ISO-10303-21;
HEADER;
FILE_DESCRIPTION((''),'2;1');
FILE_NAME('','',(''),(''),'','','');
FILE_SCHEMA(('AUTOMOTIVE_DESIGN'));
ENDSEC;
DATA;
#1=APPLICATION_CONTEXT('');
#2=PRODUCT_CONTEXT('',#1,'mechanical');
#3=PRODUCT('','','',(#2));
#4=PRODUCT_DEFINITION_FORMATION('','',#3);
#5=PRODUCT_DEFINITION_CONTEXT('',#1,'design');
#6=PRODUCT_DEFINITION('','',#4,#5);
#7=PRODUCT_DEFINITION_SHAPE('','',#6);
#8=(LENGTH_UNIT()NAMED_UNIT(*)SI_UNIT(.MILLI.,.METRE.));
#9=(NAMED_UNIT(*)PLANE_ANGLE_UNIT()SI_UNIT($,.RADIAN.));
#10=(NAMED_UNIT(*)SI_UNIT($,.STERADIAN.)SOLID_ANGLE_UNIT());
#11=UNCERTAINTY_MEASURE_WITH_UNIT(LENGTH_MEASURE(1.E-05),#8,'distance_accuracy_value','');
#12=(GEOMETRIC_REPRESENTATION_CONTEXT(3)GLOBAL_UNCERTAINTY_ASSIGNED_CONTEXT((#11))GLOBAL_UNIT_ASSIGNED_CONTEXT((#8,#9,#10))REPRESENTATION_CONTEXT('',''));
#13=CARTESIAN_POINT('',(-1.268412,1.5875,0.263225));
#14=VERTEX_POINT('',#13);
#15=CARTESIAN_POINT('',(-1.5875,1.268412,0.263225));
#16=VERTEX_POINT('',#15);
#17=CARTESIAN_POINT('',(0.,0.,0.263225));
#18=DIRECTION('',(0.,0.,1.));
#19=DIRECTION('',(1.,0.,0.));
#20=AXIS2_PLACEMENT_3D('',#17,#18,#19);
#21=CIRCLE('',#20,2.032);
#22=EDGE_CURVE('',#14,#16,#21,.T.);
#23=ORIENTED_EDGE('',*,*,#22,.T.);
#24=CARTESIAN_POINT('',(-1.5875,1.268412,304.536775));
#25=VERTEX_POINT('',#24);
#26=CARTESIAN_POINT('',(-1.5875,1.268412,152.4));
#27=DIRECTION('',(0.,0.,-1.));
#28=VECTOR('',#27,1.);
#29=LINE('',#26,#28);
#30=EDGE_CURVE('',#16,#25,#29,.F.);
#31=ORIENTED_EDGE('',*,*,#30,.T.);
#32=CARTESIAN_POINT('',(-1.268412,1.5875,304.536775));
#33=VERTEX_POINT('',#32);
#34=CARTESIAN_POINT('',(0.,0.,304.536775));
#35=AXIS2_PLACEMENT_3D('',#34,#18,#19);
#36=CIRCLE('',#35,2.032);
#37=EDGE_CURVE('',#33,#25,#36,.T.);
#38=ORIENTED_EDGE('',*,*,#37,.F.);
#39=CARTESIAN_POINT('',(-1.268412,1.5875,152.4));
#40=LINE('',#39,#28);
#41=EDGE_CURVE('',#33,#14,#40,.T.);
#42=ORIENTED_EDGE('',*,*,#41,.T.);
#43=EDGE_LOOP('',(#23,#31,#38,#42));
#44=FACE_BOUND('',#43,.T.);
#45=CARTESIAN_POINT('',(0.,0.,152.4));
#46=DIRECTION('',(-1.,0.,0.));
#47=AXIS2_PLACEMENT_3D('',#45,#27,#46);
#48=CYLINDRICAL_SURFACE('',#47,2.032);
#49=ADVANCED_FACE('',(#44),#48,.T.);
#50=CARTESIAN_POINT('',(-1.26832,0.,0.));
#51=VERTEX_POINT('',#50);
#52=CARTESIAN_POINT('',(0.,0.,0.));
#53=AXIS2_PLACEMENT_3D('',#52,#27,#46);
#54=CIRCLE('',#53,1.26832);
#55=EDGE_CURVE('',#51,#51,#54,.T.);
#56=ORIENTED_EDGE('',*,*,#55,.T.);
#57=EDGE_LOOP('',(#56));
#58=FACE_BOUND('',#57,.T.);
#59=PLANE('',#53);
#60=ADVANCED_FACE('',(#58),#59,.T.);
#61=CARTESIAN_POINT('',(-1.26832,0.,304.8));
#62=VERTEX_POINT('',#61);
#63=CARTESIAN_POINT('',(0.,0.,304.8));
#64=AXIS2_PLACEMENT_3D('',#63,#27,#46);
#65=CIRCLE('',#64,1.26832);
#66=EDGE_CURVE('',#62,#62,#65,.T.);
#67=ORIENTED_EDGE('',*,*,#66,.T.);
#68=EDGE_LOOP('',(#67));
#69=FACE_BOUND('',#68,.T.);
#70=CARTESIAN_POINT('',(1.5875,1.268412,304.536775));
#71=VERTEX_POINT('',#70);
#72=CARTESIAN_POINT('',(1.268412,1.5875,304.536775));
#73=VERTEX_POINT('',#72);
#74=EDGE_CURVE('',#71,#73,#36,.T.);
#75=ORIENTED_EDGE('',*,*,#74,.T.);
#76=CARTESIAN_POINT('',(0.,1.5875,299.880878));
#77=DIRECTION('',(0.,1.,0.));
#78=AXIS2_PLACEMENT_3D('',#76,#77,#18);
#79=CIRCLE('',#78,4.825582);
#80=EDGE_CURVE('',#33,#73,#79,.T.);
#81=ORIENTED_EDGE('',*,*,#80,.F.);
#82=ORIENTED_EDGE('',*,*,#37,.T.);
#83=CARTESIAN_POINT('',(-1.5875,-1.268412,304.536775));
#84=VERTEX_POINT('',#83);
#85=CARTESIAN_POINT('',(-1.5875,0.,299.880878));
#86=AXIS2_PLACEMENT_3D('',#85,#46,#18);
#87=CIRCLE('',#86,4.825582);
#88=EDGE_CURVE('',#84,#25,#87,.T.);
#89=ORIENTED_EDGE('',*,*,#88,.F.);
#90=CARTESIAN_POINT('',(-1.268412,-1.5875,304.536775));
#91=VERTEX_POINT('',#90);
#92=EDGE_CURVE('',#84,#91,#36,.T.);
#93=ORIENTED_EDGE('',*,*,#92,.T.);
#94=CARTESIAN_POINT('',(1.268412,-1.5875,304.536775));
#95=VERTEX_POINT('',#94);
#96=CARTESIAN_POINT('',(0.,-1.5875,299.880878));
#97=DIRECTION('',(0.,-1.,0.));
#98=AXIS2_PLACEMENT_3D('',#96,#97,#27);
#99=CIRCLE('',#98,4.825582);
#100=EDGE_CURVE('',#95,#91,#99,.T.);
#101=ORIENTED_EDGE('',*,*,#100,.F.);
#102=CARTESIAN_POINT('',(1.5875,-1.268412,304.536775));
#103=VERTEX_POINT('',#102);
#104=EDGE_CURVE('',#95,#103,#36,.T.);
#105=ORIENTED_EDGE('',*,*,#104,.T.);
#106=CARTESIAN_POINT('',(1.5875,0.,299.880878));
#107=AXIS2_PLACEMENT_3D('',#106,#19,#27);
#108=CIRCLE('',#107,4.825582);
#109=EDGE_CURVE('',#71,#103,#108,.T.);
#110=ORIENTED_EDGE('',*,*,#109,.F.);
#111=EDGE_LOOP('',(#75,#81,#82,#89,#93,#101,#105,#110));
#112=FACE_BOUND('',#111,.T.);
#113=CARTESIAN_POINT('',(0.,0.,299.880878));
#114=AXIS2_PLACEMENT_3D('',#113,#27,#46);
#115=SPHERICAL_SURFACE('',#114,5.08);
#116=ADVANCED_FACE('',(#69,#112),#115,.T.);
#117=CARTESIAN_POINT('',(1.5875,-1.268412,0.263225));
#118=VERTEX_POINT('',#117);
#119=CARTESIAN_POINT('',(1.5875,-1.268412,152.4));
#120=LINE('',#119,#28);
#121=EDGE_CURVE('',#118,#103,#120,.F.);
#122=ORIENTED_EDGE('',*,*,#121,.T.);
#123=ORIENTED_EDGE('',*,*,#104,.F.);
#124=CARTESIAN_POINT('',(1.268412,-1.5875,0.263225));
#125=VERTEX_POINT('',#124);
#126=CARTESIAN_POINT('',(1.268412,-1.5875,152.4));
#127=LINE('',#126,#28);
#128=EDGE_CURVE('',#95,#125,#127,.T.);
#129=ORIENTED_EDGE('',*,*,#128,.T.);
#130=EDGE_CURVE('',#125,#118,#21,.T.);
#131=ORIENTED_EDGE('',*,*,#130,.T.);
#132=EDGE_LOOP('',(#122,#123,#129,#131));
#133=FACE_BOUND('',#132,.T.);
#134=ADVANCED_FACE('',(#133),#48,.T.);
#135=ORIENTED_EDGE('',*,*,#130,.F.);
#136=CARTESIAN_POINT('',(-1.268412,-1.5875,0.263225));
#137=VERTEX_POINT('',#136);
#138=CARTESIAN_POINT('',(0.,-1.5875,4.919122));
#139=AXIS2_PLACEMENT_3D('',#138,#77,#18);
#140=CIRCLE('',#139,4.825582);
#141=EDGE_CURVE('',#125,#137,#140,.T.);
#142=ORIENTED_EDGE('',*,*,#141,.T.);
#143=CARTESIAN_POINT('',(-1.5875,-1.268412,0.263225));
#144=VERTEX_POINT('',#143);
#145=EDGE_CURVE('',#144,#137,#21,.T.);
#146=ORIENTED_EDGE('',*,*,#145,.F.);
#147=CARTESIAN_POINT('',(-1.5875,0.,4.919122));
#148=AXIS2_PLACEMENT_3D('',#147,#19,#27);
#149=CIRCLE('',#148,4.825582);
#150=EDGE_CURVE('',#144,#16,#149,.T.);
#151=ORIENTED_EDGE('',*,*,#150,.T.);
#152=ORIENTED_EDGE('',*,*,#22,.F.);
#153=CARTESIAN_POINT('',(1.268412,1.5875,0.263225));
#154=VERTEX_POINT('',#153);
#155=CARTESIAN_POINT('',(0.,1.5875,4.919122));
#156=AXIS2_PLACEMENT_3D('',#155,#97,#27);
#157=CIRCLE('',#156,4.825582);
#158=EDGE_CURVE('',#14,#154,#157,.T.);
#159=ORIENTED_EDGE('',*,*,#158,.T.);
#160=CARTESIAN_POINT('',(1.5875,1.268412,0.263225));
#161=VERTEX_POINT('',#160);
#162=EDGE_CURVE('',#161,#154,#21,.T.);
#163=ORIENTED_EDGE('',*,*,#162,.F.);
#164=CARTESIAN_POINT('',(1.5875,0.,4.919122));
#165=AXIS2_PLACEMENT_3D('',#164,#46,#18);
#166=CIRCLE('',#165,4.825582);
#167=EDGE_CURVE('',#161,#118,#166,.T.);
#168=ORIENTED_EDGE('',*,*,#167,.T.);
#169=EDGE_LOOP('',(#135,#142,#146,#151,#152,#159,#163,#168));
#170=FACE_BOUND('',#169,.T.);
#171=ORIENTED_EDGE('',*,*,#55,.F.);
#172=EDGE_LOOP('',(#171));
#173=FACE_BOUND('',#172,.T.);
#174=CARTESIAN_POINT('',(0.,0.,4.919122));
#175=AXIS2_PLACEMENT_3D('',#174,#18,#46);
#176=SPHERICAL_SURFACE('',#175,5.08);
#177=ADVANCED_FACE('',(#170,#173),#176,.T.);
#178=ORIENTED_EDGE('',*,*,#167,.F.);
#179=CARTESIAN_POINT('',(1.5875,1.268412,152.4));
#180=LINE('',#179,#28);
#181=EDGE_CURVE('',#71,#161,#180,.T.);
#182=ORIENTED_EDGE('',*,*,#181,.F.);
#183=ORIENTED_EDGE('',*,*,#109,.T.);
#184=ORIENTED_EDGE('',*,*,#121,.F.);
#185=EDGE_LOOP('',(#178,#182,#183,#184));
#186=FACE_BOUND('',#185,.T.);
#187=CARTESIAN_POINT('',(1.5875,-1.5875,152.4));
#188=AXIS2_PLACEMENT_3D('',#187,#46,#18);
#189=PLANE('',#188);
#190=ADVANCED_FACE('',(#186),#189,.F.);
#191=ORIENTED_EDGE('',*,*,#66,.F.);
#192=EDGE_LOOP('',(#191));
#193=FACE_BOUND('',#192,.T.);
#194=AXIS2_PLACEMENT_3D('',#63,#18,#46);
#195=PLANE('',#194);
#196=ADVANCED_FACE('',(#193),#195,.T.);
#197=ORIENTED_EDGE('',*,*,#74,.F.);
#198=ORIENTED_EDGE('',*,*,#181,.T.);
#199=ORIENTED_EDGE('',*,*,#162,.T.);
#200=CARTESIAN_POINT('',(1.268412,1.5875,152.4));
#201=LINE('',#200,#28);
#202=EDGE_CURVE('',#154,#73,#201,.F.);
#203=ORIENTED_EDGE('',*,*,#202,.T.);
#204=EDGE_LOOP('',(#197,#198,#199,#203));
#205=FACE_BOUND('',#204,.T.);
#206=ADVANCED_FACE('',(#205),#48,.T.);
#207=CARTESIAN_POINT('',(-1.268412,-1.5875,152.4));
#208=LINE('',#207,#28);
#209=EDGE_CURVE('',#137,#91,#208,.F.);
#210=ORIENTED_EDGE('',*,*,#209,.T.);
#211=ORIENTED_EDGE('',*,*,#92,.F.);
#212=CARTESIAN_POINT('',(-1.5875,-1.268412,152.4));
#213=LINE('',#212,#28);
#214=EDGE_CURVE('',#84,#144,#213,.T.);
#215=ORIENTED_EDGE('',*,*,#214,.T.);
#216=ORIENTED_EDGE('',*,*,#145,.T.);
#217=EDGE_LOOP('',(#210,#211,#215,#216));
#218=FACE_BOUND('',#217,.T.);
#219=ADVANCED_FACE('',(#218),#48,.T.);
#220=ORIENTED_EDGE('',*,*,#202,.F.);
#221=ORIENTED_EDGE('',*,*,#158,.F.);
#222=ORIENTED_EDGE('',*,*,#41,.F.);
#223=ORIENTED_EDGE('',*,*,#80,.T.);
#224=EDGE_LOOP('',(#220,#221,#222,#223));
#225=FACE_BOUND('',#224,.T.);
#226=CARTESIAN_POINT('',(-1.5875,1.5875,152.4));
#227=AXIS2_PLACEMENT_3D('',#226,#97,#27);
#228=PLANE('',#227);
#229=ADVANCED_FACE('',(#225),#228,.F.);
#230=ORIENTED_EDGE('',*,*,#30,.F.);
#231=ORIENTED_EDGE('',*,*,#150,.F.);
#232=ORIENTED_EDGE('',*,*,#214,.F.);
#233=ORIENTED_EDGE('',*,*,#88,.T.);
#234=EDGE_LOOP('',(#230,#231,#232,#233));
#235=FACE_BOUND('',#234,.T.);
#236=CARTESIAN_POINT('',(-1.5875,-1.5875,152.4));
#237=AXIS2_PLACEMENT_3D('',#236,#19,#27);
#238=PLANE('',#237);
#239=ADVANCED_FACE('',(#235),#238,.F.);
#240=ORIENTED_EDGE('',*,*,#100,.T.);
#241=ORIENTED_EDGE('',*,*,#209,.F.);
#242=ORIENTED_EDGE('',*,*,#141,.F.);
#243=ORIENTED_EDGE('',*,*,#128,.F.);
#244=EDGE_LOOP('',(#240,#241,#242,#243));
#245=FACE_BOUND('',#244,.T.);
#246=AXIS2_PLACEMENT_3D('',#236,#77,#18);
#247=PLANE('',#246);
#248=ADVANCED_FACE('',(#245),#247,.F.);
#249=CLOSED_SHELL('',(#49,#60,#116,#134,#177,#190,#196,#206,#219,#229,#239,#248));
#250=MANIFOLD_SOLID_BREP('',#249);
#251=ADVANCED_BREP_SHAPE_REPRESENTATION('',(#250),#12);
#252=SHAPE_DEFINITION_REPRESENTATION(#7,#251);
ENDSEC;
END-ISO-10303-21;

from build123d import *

# Parameters (mm, degrees)
SKETCH1_W           = 3.175
SKETCH1_H           = 3.175
BOSS_EXTRUDE1_DEPTH = 152.4
SKETCH2_OUTSIDE_W   = 35.668
SKETCH2_OUTSIDE_H   = 35.668
SKETCH2_OUTSIDE_R   = 2.032
CUT_EXTRUDE1_DEPTH  = 153.4


with BuildPart() as part:
    # Sketch1 → Boss-Extrude1 (new body)
    with BuildSketch(Plane.XY):
        Rectangle(SKETCH1_W, SKETCH1_H)
    extrude(amount=BOSS_EXTRUDE1_DEPTH)

    # Sketch2 outside → Cut-Extrude1 (cut, through all)
    with BuildSketch(Plane(origin=(0, 0, 0), x_dir=(-1, 0, 0), z_dir=(0, 0, -1))):
        Rectangle(SKETCH2_OUTSIDE_W, SKETCH2_OUTSIDE_H)
        Circle(SKETCH2_OUTSIDE_R, mode=Mode.SUBTRACT)
    extrude(amount=-CUT_EXTRUDE1_DEPTH, mode=Mode.SUBTRACT)

    # Sketch3 → Cut-Revolve1 (revolve, cut)
    with BuildSketch(Plane(origin=(0, 0, 0), x_dir=(1, 0, 0), z_dir=(0, 1, 0))):
        with BuildLine():
            Line((-5.053685963, -4.40273269), (-5.053685963, 5.740530545))
            Line((-5.053685963, 5.740530545), (0, 5.740530545))
            Line((0, 5.740530545), (0, 0.160877736))
            ThreePointArc((0, 0.160877736), (-3.404639553, -1.148866368), (-5.053685963, -4.40273269))
        make_face()
    revolve(axis=Axis((0, 0, 152.4), (0, 0, -1)), mode=Mode.SUBTRACT)

    # Mirror1: part across plane


with BuildPart() as part_1:
    add(part.part)
    add(part.part.mirror(Plane(origin=(0, 0, 152.4), x_dir=(1, 0, 0), z_dir=(0, 0, -1))))


solid = part_1.part
